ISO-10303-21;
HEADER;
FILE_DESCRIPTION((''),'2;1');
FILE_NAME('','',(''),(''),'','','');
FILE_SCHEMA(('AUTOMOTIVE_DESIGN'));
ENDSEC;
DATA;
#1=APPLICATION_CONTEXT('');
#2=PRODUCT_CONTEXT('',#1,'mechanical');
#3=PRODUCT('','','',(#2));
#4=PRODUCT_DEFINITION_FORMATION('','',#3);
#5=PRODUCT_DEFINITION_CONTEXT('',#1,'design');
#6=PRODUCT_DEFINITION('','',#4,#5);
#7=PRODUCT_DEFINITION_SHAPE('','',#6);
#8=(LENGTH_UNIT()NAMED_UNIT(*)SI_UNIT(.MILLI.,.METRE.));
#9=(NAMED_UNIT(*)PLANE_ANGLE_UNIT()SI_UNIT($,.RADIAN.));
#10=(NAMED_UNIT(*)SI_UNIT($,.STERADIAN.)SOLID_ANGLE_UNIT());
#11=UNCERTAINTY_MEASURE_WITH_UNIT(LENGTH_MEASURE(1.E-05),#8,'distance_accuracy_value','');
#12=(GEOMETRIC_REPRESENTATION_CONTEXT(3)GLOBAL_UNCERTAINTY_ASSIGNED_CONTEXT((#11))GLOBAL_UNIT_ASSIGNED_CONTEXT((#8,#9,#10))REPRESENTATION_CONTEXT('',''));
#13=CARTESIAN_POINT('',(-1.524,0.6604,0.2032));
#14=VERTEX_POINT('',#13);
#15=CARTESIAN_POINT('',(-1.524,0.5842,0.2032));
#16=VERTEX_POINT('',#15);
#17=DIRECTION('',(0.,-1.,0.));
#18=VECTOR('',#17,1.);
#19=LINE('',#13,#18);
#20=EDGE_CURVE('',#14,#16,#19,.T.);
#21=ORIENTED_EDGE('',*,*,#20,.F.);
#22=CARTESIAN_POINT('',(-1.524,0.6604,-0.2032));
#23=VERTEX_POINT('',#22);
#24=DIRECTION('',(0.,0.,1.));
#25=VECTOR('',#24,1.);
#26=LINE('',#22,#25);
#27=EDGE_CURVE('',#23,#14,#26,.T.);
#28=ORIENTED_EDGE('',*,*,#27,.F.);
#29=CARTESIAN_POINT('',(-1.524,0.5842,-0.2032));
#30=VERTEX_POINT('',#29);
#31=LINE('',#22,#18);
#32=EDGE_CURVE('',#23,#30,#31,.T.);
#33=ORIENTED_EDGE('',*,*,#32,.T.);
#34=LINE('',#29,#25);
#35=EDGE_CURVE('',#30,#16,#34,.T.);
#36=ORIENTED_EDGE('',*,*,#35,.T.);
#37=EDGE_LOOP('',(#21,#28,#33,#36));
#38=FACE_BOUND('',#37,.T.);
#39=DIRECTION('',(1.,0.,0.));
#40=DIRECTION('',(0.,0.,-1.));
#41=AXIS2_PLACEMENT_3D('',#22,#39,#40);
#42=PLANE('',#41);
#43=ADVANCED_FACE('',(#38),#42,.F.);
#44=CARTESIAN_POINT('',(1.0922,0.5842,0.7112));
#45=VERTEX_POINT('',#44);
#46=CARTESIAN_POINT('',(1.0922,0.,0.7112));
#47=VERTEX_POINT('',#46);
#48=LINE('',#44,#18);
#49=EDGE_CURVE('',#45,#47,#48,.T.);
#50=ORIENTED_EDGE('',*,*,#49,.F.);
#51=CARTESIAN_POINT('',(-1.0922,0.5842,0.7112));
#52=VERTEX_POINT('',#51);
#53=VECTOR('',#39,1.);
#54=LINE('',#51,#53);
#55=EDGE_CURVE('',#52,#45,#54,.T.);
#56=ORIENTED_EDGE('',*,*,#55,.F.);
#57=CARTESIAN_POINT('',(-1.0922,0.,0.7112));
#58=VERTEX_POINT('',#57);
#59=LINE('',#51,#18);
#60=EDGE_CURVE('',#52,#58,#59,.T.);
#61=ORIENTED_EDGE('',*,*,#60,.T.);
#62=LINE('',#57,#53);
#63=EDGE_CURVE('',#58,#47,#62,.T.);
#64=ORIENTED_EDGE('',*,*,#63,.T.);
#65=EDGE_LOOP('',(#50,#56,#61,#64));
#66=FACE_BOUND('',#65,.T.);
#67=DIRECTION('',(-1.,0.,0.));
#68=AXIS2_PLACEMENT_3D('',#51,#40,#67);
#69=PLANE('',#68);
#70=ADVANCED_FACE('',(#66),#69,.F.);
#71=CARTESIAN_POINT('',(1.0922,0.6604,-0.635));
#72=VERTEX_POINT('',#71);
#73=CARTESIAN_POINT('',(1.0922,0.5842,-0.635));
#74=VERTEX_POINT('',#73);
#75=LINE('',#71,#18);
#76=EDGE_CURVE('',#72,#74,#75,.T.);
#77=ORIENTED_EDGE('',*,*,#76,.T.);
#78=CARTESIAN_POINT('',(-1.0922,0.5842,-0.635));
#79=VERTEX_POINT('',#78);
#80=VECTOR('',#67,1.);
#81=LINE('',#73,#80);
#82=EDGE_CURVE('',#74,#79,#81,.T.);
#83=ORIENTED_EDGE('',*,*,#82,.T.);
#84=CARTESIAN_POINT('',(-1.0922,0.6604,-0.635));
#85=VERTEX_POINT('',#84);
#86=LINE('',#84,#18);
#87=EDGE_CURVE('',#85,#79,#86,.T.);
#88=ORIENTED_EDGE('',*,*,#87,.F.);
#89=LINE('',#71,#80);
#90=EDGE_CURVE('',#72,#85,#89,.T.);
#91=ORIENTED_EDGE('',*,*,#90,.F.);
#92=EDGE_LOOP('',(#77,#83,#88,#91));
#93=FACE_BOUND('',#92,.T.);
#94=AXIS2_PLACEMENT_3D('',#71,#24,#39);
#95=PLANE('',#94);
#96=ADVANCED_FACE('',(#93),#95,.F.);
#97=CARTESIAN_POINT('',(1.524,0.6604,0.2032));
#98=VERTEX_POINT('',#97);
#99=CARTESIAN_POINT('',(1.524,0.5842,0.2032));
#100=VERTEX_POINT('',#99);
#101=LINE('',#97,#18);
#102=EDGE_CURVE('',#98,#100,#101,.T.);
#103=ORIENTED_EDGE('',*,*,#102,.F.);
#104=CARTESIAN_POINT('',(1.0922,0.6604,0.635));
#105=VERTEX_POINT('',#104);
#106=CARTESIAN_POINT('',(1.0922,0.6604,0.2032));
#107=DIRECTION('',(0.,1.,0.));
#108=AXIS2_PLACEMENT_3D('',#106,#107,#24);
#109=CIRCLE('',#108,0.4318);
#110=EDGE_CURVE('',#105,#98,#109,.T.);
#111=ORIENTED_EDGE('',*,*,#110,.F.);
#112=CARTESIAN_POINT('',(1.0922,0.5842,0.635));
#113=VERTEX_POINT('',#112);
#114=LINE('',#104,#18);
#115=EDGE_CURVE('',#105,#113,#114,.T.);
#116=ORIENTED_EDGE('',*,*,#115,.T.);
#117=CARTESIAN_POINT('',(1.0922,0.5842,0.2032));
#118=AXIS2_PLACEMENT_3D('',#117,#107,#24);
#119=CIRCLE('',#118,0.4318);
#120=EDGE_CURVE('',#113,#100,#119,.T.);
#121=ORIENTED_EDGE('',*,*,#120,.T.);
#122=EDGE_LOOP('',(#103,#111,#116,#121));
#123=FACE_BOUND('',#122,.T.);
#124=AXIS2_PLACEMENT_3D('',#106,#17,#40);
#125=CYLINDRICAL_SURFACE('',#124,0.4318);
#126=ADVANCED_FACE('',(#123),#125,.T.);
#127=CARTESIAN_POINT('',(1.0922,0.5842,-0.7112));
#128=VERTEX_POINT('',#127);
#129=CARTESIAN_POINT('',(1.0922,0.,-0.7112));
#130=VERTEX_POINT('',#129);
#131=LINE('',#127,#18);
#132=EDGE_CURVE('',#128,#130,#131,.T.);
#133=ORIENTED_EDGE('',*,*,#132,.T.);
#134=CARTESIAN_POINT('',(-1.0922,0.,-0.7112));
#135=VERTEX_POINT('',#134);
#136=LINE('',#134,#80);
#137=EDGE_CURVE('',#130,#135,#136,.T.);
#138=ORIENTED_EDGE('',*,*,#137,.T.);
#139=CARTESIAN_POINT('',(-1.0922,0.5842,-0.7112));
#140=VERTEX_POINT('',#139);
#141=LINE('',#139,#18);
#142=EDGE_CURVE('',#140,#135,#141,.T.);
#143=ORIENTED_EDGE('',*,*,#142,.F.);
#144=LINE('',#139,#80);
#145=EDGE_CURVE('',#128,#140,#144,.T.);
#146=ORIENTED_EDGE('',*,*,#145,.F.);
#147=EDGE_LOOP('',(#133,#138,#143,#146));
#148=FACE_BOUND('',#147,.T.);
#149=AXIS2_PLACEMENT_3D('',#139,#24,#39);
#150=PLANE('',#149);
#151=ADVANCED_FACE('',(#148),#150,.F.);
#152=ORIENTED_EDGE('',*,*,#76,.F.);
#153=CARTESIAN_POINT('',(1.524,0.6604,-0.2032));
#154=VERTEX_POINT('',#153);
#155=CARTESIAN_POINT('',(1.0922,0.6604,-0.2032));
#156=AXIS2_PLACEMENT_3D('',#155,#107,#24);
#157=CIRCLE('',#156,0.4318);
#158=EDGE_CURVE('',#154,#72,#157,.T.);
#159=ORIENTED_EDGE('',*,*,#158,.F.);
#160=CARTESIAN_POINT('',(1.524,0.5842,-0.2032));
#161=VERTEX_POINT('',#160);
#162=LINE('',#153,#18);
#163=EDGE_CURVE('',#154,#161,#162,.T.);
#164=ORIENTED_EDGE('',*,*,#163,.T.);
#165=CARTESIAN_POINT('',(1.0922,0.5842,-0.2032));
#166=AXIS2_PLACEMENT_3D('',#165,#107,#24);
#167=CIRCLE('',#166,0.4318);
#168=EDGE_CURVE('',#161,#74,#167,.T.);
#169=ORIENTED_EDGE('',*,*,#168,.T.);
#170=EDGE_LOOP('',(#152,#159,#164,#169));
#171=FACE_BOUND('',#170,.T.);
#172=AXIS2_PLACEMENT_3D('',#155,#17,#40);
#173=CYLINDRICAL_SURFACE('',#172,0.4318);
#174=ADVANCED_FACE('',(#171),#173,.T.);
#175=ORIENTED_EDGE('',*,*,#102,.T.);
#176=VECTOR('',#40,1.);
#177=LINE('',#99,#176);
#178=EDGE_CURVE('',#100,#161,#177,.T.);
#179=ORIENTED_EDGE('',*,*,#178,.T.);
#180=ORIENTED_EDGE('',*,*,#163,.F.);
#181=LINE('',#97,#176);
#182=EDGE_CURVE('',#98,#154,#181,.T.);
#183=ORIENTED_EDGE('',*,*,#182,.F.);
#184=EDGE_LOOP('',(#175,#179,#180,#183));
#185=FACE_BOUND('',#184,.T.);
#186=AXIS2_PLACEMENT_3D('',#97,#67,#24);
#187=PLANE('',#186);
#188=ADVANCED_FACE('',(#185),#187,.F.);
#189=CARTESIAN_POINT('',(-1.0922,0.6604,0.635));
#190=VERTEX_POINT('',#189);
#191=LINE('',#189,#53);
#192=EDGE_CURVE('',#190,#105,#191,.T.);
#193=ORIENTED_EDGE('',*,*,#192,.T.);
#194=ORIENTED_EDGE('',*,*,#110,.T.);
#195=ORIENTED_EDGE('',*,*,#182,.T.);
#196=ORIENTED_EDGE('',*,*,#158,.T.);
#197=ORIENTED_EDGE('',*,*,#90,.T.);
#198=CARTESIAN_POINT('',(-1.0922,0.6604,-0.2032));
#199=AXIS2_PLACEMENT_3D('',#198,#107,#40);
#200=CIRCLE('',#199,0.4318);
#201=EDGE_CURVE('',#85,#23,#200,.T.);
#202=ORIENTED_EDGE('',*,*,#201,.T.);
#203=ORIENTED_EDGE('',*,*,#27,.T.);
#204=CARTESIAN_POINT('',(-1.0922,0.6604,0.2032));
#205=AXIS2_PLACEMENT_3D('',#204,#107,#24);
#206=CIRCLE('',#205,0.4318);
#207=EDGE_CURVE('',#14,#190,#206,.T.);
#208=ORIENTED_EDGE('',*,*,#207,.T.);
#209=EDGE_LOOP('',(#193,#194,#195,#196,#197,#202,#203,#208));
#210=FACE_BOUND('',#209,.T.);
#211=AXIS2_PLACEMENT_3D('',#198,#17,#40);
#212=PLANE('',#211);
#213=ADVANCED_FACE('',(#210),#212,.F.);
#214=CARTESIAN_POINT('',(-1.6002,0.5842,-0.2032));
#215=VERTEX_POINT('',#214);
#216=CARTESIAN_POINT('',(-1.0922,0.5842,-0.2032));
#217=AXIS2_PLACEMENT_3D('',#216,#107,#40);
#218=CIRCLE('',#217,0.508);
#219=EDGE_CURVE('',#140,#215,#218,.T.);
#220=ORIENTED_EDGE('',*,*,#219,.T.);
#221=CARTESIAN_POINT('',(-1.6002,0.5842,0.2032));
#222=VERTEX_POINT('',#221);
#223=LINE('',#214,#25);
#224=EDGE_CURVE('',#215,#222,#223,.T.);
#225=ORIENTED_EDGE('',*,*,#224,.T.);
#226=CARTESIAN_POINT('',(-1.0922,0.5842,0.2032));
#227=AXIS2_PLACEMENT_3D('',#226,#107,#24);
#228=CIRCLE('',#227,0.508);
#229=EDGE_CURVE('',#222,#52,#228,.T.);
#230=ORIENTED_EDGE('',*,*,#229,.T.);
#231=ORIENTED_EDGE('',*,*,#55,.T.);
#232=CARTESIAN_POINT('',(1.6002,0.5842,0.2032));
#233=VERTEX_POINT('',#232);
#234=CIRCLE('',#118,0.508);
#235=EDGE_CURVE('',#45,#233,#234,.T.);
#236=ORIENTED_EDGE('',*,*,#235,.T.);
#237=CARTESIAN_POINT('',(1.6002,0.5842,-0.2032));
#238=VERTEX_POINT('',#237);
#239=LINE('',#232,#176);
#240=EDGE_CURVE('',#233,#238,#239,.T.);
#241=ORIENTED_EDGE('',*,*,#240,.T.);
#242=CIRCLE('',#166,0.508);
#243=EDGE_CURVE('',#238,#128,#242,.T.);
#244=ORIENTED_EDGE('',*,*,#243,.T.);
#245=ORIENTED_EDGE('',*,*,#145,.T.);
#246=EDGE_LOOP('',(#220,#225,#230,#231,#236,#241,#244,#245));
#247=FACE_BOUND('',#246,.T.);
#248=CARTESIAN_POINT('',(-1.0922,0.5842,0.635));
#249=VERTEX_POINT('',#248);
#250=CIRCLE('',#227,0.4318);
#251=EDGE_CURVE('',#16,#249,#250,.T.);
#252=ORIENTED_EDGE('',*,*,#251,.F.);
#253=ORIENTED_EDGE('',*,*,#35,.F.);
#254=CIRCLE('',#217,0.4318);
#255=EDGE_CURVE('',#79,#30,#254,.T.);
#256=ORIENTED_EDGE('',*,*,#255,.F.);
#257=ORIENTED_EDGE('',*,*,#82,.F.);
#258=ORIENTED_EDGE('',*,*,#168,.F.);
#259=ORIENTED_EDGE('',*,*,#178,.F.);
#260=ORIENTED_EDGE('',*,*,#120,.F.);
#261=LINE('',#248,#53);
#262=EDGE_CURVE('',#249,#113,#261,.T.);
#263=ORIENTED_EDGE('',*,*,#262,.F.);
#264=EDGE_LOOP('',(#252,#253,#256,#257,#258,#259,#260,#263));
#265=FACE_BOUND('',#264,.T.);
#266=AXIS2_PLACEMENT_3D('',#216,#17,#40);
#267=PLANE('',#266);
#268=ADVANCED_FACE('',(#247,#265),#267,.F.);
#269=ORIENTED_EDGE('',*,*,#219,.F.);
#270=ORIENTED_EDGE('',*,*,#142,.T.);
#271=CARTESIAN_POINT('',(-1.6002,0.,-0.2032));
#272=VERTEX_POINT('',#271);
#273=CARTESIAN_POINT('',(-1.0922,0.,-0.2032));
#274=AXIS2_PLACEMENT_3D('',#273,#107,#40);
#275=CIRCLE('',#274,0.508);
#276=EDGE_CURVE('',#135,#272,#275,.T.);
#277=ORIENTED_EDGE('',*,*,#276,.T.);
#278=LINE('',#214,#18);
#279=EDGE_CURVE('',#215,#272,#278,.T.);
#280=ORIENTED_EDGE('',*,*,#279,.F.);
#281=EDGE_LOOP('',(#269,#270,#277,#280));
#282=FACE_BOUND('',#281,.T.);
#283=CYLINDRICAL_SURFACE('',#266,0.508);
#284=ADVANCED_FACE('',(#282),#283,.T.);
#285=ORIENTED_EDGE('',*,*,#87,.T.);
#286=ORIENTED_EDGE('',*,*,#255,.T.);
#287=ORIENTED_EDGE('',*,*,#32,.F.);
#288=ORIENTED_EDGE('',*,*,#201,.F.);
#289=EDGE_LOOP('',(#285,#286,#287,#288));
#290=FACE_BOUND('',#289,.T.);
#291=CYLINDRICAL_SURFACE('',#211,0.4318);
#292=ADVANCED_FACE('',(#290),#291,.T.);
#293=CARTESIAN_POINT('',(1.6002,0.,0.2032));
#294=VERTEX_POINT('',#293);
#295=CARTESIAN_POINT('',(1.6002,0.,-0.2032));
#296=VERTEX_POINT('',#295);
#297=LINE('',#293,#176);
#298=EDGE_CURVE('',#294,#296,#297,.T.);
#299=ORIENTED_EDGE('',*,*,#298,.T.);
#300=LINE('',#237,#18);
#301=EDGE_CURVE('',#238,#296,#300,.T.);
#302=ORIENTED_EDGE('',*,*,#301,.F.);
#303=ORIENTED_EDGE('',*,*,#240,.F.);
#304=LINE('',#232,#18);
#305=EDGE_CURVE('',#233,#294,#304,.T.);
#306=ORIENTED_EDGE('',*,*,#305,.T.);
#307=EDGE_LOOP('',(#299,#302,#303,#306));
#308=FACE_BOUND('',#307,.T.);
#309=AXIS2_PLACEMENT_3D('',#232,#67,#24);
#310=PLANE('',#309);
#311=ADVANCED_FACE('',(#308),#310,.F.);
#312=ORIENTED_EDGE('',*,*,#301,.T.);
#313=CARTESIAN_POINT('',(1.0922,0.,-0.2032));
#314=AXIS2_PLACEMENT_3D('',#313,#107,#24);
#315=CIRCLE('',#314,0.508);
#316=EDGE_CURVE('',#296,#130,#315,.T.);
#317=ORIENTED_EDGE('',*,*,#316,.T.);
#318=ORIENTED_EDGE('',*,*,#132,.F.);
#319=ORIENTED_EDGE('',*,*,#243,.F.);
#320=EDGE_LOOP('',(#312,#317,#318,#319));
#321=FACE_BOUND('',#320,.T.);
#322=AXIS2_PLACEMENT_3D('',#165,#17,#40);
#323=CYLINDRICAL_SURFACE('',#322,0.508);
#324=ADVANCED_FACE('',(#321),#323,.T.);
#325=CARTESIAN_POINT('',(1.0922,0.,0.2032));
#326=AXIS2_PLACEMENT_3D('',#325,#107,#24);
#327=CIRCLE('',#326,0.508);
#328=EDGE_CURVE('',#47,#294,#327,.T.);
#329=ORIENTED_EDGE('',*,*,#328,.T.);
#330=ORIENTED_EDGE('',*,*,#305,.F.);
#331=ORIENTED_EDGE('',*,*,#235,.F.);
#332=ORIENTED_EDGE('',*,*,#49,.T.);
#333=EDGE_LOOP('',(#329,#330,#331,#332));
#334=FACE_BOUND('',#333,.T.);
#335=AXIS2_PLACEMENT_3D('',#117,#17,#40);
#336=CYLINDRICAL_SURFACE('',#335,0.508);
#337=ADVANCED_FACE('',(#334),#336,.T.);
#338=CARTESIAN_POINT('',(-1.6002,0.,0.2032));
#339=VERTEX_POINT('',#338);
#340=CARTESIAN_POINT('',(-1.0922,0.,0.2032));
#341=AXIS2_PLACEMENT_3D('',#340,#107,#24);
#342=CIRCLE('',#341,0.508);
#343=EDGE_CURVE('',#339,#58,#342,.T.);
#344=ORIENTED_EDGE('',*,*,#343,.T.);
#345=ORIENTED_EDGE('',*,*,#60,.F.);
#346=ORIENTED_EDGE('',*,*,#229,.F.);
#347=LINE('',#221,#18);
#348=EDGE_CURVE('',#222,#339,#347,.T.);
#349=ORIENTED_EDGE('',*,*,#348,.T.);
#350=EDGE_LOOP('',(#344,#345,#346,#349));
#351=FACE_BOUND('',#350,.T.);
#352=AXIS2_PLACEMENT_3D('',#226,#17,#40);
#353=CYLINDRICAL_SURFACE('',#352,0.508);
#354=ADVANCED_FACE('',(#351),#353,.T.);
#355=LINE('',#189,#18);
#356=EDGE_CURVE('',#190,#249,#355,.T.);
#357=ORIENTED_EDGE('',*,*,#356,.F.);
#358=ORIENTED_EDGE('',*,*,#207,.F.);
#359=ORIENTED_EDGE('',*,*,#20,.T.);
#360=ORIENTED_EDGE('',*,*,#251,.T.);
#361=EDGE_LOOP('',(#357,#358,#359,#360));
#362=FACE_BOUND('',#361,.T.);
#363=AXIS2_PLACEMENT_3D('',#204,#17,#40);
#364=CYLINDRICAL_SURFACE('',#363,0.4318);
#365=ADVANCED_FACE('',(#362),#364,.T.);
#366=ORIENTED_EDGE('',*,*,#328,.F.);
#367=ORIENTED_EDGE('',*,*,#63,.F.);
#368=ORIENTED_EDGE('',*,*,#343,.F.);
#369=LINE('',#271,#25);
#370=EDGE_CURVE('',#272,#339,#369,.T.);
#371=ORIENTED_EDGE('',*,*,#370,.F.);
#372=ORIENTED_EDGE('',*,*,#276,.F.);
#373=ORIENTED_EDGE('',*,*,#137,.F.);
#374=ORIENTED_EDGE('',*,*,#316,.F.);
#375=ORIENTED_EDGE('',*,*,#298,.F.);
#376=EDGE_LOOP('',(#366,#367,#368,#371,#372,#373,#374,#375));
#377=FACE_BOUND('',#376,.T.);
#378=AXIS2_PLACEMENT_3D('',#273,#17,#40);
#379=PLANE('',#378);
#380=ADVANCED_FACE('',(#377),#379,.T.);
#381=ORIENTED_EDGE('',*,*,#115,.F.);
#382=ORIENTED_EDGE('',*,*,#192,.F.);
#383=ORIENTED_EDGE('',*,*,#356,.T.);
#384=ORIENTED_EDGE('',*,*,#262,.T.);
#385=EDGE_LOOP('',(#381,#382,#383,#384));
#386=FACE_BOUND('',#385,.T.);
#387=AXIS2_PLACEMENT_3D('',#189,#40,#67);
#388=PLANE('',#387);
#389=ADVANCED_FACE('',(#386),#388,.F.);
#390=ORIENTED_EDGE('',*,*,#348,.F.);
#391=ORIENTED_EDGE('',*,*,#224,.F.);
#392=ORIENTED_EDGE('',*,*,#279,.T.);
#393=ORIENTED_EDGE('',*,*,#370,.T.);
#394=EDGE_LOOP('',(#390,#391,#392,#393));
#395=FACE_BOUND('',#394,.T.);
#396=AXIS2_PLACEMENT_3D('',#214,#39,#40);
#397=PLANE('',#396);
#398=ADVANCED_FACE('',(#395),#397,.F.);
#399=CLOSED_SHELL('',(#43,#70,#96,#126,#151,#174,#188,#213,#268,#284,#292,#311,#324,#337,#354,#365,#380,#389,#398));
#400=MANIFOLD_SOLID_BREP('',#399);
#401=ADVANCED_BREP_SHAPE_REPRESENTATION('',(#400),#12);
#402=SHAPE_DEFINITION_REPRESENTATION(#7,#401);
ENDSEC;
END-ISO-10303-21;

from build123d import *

# Parameters (mm, degrees)
BOSS_EXTRUDE1_DEPTH = 0.5842
BOSS_EXTRUDE2_DEPTH = 0.0762


with BuildPart() as part:
    # Sketch1 → Boss-Extrude1 (new body)
    with BuildSketch(Plane(origin=(0, 0, 0), x_dir=(1, 0, 0), z_dir=(0, 1, 0))):
        with BuildLine():
            Line((-1.6002, 0.2032), (-1.6002, -0.2032))
            ThreePointArc((-1.6002, -0.2032), (-1.451410245, -0.562410245), (-1.0922, -0.7112))
            Line((-1.0922, -0.7112), (1.0922, -0.7112))
            ThreePointArc((1.0922, -0.7112), (1.451410245, -0.562410245), (1.6002, -0.2032))
            Line((1.6002, -0.2032), (1.6002, 0.2032))
            ThreePointArc((1.6002, 0.2032), (1.451410245, 0.562410245), (1.0922, 0.7112))
            Line((1.0922, 0.7112), (-1.0922, 0.7112))
            ThreePointArc((-1.0922, 0.7112), (-1.451410245, 0.562410245), (-1.6002, 0.2032))
        make_face()
    extrude(amount=BOSS_EXTRUDE1_DEPTH)

    # Sketch2 → Boss-Extrude2 (add)
    with BuildSketch(Plane(origin=(0, 0.5842, 0), x_dir=(1, 0, 0), z_dir=(0, 1, 0))):
        with BuildLine():
            Line((-1.524, 0.2032), (-1.524, -0.2032))
            ThreePointArc((-1.524, -0.2032), (-1.397528708, -0.508528708), (-1.0922, -0.635))
            Line((-1.0922, -0.635), (1.0922, -0.635))
            ThreePointArc((1.0922, -0.635), (1.397528708, -0.508528708), (1.524, -0.2032))
            Line((1.524, -0.2032), (1.524, 0.2032))
            ThreePointArc((1.524, 0.2032), (1.397528708, 0.508528708), (1.0922, 0.635))
            Line((1.0922, 0.635), (-1.0922, 0.635))
            ThreePointArc((-1.0922, 0.635), (-1.397528708, 0.508528708), (-1.524, 0.2032))
        make_face()
    extrude(amount=BOSS_EXTRUDE2_DEPTH)


solid = part.part
